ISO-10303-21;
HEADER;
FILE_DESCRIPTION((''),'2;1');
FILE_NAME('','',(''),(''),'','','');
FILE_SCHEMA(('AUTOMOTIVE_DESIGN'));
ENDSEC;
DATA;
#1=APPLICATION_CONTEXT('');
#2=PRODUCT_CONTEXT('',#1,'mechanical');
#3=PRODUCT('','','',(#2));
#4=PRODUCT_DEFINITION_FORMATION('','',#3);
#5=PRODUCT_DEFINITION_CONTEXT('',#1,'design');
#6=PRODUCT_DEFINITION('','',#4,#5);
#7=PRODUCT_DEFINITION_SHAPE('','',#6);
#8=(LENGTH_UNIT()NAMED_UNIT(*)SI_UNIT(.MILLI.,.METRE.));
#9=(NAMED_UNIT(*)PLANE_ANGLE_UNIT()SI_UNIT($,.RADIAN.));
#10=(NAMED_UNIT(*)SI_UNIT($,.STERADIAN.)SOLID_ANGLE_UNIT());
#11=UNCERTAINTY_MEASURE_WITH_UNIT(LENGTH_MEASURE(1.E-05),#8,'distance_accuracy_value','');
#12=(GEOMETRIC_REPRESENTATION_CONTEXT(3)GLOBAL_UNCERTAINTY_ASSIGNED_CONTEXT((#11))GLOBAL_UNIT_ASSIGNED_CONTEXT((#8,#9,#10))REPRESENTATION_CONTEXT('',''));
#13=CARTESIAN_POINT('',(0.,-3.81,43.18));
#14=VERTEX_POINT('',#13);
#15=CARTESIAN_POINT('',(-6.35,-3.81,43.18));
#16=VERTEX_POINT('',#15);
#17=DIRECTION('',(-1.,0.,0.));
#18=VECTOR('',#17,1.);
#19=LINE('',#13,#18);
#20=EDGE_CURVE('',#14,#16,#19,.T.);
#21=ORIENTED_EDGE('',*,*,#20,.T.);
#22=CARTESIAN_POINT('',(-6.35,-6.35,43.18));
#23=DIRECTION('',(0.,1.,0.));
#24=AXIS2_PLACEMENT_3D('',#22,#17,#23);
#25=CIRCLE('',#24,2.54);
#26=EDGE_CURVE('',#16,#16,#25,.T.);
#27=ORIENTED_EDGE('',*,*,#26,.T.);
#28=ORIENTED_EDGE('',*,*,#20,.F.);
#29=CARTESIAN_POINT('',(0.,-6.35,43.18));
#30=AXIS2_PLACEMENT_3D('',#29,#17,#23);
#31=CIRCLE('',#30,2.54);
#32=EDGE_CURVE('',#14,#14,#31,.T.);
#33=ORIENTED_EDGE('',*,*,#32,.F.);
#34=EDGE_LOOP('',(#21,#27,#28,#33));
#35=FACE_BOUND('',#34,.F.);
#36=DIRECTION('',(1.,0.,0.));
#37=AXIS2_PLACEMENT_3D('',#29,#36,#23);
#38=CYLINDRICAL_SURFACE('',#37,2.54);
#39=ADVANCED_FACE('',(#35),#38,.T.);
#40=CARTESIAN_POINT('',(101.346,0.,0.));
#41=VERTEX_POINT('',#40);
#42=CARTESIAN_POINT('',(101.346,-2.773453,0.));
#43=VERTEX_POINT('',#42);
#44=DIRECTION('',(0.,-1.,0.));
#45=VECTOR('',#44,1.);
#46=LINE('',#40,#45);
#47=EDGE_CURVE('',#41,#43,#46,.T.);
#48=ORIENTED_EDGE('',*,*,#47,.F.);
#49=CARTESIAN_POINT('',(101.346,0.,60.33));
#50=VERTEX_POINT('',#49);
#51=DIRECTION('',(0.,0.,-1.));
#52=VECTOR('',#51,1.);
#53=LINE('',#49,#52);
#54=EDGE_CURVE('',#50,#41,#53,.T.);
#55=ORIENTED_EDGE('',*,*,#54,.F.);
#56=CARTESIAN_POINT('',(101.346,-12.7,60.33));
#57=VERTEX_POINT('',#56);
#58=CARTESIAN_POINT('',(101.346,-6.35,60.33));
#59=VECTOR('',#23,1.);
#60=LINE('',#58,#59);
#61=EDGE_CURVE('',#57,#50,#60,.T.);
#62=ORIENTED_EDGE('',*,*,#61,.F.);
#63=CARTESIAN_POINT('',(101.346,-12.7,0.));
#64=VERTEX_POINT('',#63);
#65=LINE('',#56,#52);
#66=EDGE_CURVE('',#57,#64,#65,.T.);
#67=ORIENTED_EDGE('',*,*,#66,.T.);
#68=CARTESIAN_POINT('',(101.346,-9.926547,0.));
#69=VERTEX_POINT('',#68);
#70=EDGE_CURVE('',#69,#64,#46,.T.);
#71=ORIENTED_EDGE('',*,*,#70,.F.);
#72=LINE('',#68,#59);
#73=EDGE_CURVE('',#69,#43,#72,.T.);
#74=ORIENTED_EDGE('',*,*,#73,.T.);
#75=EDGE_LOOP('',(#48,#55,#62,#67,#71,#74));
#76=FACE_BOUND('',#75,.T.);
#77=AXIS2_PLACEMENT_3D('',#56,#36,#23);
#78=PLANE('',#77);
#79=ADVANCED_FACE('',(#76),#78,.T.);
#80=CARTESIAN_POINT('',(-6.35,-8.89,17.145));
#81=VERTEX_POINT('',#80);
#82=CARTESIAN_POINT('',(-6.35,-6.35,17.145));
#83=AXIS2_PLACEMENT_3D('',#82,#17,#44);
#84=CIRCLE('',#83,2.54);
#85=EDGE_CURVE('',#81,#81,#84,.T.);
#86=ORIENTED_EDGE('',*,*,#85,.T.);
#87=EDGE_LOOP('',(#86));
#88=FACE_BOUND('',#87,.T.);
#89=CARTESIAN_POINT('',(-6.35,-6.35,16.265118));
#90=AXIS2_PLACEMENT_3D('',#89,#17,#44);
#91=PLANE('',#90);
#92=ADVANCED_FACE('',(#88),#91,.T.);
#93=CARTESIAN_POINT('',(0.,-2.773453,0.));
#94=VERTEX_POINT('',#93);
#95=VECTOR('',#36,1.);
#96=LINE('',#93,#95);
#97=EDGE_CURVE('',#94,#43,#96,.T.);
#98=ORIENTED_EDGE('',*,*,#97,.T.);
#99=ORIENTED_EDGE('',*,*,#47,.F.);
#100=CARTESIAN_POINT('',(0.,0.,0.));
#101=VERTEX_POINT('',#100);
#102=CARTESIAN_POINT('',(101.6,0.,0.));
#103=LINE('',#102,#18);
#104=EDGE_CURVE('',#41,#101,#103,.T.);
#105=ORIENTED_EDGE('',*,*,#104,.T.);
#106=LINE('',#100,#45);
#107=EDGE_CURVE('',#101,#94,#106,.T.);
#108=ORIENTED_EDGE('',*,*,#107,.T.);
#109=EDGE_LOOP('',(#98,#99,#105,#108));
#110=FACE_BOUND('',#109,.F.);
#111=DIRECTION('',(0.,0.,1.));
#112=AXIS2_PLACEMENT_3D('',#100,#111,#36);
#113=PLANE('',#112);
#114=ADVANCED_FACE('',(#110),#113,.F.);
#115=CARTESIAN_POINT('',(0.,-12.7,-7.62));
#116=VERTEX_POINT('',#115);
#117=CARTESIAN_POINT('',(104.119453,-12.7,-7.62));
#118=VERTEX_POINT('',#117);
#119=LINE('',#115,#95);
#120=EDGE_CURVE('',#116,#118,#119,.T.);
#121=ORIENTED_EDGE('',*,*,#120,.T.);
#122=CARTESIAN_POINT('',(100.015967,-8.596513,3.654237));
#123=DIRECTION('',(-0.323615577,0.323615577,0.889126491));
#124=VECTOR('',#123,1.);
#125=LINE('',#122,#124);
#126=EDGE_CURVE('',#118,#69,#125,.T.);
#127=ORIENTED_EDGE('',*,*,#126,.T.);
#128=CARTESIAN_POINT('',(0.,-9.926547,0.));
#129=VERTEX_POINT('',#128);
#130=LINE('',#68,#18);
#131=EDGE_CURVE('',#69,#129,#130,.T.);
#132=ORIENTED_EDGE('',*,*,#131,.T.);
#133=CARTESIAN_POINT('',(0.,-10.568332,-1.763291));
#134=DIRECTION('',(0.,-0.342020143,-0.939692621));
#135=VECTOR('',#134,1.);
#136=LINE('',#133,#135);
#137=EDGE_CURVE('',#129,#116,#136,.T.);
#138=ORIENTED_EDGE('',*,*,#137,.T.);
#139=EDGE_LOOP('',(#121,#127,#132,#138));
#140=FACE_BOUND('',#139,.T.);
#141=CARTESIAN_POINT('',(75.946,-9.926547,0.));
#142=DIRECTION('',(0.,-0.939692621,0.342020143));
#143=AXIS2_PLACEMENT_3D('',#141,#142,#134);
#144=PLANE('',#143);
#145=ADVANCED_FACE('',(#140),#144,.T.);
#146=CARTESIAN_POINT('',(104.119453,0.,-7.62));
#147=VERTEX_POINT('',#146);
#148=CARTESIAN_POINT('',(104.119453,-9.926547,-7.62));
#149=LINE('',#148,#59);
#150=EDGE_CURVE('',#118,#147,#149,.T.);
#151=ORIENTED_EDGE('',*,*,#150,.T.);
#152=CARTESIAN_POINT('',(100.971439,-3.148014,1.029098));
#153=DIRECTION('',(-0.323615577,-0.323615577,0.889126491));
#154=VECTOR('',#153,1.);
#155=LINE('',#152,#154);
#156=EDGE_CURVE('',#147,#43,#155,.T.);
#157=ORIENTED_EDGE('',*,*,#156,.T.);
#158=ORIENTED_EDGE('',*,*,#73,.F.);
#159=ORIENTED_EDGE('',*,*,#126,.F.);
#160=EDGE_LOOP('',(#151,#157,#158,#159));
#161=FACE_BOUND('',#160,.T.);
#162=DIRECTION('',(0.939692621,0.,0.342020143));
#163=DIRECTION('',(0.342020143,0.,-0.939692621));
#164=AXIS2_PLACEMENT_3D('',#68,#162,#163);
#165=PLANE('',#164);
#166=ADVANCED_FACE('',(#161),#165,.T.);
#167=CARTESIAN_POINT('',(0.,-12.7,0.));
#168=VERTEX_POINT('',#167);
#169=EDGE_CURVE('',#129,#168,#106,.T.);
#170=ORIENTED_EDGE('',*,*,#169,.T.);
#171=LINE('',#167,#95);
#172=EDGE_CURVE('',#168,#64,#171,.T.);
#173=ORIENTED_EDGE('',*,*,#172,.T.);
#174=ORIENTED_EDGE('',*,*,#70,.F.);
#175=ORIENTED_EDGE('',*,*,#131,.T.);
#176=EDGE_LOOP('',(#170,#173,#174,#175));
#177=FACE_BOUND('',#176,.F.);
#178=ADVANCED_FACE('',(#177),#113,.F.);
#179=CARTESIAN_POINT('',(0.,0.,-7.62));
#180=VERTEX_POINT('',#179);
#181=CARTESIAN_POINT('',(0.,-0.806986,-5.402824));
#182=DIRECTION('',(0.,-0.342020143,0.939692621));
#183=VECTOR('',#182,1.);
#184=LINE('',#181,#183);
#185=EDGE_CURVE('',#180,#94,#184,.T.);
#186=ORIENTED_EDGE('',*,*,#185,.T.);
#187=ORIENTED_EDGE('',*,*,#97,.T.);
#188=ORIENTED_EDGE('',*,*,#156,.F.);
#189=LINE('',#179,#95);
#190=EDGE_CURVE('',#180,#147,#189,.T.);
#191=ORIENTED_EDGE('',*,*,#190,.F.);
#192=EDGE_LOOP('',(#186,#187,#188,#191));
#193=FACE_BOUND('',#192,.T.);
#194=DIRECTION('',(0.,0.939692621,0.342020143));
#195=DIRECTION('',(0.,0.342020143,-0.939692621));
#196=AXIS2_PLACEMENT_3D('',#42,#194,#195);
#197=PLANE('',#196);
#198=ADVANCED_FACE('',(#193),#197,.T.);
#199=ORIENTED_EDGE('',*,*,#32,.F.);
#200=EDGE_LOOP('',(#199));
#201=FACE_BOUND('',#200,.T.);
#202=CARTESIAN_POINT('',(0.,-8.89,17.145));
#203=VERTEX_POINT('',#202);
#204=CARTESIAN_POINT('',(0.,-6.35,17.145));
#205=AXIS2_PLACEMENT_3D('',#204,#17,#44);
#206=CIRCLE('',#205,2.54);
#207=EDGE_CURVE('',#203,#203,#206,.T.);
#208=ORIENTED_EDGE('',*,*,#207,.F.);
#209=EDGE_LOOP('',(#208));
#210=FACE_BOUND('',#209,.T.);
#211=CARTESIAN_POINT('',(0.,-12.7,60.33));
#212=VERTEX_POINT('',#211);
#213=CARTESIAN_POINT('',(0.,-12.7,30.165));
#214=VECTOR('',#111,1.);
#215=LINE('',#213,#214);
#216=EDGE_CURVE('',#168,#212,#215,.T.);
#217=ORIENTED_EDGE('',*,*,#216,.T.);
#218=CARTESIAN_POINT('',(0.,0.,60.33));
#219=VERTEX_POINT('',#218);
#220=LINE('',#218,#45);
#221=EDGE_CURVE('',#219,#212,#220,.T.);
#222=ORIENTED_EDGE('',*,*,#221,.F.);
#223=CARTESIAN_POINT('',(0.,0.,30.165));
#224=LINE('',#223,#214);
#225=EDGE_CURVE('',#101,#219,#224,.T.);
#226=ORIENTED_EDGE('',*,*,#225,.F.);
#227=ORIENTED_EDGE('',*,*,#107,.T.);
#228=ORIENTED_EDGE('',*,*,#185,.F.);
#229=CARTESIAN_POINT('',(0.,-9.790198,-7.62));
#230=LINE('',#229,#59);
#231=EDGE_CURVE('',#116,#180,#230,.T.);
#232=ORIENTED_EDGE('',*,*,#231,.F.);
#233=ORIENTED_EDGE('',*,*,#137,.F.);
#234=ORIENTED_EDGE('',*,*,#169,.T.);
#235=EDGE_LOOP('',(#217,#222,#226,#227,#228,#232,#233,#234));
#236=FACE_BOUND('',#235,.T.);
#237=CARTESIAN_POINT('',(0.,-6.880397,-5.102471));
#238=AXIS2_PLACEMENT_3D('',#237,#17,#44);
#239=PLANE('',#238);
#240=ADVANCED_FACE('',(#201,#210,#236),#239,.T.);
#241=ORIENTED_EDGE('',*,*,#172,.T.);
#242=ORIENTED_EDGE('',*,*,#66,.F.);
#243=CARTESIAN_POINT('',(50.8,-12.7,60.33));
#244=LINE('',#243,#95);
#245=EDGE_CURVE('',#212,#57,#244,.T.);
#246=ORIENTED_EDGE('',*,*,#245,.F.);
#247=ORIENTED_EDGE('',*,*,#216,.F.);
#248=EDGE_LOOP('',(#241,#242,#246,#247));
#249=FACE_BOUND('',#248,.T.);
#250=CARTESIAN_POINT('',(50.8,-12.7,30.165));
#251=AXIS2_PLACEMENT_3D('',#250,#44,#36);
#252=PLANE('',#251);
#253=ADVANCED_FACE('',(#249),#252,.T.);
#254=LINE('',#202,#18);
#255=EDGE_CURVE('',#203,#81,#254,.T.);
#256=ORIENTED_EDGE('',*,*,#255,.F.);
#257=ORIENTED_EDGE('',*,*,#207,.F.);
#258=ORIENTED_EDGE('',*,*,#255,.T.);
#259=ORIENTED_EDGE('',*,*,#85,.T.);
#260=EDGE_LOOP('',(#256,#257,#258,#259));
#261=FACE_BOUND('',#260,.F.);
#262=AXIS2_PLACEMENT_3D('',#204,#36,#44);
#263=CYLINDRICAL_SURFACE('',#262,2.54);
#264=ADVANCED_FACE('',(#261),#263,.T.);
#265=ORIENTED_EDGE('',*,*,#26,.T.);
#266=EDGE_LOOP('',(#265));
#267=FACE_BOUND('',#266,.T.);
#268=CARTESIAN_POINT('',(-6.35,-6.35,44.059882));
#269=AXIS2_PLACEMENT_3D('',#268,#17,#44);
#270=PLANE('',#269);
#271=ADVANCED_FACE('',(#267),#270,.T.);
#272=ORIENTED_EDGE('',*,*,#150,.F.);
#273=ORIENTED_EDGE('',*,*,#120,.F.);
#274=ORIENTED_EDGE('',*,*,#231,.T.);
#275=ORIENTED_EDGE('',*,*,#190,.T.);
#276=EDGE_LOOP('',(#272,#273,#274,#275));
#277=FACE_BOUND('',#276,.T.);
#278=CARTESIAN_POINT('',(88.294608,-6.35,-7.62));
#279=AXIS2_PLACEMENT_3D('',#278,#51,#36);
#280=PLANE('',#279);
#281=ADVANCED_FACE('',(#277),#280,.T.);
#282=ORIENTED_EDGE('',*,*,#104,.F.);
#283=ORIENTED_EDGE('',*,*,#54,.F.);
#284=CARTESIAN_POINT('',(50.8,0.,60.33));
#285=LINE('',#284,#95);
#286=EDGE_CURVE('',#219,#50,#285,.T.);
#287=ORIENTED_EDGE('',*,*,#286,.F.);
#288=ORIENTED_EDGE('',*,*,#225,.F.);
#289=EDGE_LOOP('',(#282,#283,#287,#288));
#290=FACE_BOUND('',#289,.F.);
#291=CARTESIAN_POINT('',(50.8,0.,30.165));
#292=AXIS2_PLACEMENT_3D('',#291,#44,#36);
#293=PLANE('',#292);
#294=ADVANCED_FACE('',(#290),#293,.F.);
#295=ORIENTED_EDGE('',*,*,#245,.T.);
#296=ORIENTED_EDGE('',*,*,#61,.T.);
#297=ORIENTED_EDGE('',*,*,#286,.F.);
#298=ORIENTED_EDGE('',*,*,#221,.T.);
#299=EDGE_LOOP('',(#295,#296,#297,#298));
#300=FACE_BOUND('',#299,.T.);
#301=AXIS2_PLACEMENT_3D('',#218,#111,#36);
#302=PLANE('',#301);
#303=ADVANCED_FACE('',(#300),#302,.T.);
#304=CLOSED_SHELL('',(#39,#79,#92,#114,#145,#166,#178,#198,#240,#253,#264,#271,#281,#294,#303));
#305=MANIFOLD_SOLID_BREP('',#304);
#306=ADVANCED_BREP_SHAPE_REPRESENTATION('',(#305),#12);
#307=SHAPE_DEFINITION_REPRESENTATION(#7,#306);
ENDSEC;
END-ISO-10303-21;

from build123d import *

# Parameters (mm, degrees)
F0_W      = 101.6
F0_H      = 60.33
F1_DEPTH  = 12.7
F3_DEPTH  = 101.6
F4_W      = 13.7607939541
F4_H      = 10.2049419656
F5_DEPTH  = 3.175
F6_DEPTH  = 3.175
F7_W      = 0.254
F7_H      = 12.7
F8_DEPTH  = 101.6
F10_DEPTH = 25.4
F11_W     = 0.7027839153
F11_H     = 7.62
F14_W     = 24.6972160847
F14_H     = 5.7475257993
F15_DEPTH = 7.62
F17_DEPTH = 6.35


with BuildPart() as f1:
    # F0 (on Front) → F1 (new body)
    with BuildSketch(Plane.XZ):
        with Locations((50.8, 30.165)):
            Rectangle(F0_W, F0_H)
    extrude(amount=F1_DEPTH)

    # F2 (on face) → F3 (join)
    with BuildSketch(Plane.YZ.offset(101.6)):
        Polygon((0, -7.62), (-2.7734531851, 0), (-9.9265468149, 0), (-12.7, -7.62), align=None)
    extrude(amount=-F3_DEPTH)

    # F4 (on face) → F5 (cut)
    with BuildSketch(Plane(origin=(0, 0, 0), x_dir=(0, -1, 0), z_dir=(-1, 0, 0))):
        with Locations((6.8803969771, -5.1024709828)):
            Rectangle(F4_W, F4_H)
    extrude(amount=-F5_DEPTH, mode=Mode.SUBTRACT)

    # F6 (add): a face of the model
    f6_faces = [f1.faces().sort_by_distance(p)[0] for p in [
        (3.175, -6.35, -4.1648349301),
    ]]
    extrude(f6_faces, amount=F6_DEPTH)

    # F7 (on face) → F8 (cut)
    with BuildSketch(Plane.XY.offset(60.33)):
        with Locations((101.473, -6.35)):
            Rectangle(F7_W, F7_H)
    extrude(amount=-F8_DEPTH, mode=Mode.SUBTRACT)

    # F9 (on face) → F10 (cut)
    with BuildSketch(Plane.YZ.offset(101.346)):
        Polygon((-9.9265468149, 0), (-12.7, -7.62), (0, -7.62), (-2.7734531851, 0), align=None)
    extrude(amount=-F10_DEPTH, mode=Mode.SUBTRACT)

    # F13: sweep along a path in F12
    with BuildLine(Plane(origin=(0, 0, 0), x_dir=(1, 0, 0), z_dir=(0, 0, -1))) as f13_path:
        Line((75.946, 9.9265468149), (101.346, 9.9265468149))
        Line((101.346, 9.9265468149), (101.346, 2.7734531851))
        Line((101.346, 2.7734531851), (75.946, 2.7734531851))
    # F11 (on face) → F13 (sweep)
    with BuildSketch(Plane.YZ.offset(75.946)):
        Polygon((-9.9265468149, 0), (-12.7, -7.62), (-9.9265468149, -7.62), align=None)
        with Locations((-9.5751548573, -3.81)):
            Rectangle(F11_W, F11_H)
    sweep(path=f13_path.line, transition=Transition.RIGHT)

    # F14 (on face) → F15 (join)
    with BuildSketch(Plane(origin=(0, 0, -7.62), x_dir=(1, 0, 0), z_dir=(0, 0, -1))):
        with Locations((88.2946080424, 6.35)):
            Rectangle(F14_W, F14_H)
    extrude(amount=-F15_DEPTH)

    # F16 (on face) → F17 (join)
    with BuildSketch(Plane(origin=(0, 0, 0), x_dir=(0, -1, 0), z_dir=(-1, 0, 0))):
        with BuildLine():
            ThreePointArc((8.89, 43.18), (6.35, 45.72), (3.81, 43.18))
            Line((3.81, 43.18), (8.89, 43.18))
        make_face()
        with BuildLine():
            Line((8.89, 43.18), (3.81, 43.18))
            ThreePointArc((3.81, 43.18), (6.35, 40.64), (8.89, 43.18))
        make_face()
        with BuildLine():
            Line((8.89, 17.145), (3.81, 17.145))
            ThreePointArc((3.81, 17.145), (6.35, 14.605), (8.89, 17.145))
        make_face()
        with BuildLine():
            ThreePointArc((8.89, 17.145), (6.35, 19.685), (3.81, 17.145))
            Line((3.81, 17.145), (8.89, 17.145))
        make_face()
    extrude(amount=F17_DEPTH)


solid = f1.part
